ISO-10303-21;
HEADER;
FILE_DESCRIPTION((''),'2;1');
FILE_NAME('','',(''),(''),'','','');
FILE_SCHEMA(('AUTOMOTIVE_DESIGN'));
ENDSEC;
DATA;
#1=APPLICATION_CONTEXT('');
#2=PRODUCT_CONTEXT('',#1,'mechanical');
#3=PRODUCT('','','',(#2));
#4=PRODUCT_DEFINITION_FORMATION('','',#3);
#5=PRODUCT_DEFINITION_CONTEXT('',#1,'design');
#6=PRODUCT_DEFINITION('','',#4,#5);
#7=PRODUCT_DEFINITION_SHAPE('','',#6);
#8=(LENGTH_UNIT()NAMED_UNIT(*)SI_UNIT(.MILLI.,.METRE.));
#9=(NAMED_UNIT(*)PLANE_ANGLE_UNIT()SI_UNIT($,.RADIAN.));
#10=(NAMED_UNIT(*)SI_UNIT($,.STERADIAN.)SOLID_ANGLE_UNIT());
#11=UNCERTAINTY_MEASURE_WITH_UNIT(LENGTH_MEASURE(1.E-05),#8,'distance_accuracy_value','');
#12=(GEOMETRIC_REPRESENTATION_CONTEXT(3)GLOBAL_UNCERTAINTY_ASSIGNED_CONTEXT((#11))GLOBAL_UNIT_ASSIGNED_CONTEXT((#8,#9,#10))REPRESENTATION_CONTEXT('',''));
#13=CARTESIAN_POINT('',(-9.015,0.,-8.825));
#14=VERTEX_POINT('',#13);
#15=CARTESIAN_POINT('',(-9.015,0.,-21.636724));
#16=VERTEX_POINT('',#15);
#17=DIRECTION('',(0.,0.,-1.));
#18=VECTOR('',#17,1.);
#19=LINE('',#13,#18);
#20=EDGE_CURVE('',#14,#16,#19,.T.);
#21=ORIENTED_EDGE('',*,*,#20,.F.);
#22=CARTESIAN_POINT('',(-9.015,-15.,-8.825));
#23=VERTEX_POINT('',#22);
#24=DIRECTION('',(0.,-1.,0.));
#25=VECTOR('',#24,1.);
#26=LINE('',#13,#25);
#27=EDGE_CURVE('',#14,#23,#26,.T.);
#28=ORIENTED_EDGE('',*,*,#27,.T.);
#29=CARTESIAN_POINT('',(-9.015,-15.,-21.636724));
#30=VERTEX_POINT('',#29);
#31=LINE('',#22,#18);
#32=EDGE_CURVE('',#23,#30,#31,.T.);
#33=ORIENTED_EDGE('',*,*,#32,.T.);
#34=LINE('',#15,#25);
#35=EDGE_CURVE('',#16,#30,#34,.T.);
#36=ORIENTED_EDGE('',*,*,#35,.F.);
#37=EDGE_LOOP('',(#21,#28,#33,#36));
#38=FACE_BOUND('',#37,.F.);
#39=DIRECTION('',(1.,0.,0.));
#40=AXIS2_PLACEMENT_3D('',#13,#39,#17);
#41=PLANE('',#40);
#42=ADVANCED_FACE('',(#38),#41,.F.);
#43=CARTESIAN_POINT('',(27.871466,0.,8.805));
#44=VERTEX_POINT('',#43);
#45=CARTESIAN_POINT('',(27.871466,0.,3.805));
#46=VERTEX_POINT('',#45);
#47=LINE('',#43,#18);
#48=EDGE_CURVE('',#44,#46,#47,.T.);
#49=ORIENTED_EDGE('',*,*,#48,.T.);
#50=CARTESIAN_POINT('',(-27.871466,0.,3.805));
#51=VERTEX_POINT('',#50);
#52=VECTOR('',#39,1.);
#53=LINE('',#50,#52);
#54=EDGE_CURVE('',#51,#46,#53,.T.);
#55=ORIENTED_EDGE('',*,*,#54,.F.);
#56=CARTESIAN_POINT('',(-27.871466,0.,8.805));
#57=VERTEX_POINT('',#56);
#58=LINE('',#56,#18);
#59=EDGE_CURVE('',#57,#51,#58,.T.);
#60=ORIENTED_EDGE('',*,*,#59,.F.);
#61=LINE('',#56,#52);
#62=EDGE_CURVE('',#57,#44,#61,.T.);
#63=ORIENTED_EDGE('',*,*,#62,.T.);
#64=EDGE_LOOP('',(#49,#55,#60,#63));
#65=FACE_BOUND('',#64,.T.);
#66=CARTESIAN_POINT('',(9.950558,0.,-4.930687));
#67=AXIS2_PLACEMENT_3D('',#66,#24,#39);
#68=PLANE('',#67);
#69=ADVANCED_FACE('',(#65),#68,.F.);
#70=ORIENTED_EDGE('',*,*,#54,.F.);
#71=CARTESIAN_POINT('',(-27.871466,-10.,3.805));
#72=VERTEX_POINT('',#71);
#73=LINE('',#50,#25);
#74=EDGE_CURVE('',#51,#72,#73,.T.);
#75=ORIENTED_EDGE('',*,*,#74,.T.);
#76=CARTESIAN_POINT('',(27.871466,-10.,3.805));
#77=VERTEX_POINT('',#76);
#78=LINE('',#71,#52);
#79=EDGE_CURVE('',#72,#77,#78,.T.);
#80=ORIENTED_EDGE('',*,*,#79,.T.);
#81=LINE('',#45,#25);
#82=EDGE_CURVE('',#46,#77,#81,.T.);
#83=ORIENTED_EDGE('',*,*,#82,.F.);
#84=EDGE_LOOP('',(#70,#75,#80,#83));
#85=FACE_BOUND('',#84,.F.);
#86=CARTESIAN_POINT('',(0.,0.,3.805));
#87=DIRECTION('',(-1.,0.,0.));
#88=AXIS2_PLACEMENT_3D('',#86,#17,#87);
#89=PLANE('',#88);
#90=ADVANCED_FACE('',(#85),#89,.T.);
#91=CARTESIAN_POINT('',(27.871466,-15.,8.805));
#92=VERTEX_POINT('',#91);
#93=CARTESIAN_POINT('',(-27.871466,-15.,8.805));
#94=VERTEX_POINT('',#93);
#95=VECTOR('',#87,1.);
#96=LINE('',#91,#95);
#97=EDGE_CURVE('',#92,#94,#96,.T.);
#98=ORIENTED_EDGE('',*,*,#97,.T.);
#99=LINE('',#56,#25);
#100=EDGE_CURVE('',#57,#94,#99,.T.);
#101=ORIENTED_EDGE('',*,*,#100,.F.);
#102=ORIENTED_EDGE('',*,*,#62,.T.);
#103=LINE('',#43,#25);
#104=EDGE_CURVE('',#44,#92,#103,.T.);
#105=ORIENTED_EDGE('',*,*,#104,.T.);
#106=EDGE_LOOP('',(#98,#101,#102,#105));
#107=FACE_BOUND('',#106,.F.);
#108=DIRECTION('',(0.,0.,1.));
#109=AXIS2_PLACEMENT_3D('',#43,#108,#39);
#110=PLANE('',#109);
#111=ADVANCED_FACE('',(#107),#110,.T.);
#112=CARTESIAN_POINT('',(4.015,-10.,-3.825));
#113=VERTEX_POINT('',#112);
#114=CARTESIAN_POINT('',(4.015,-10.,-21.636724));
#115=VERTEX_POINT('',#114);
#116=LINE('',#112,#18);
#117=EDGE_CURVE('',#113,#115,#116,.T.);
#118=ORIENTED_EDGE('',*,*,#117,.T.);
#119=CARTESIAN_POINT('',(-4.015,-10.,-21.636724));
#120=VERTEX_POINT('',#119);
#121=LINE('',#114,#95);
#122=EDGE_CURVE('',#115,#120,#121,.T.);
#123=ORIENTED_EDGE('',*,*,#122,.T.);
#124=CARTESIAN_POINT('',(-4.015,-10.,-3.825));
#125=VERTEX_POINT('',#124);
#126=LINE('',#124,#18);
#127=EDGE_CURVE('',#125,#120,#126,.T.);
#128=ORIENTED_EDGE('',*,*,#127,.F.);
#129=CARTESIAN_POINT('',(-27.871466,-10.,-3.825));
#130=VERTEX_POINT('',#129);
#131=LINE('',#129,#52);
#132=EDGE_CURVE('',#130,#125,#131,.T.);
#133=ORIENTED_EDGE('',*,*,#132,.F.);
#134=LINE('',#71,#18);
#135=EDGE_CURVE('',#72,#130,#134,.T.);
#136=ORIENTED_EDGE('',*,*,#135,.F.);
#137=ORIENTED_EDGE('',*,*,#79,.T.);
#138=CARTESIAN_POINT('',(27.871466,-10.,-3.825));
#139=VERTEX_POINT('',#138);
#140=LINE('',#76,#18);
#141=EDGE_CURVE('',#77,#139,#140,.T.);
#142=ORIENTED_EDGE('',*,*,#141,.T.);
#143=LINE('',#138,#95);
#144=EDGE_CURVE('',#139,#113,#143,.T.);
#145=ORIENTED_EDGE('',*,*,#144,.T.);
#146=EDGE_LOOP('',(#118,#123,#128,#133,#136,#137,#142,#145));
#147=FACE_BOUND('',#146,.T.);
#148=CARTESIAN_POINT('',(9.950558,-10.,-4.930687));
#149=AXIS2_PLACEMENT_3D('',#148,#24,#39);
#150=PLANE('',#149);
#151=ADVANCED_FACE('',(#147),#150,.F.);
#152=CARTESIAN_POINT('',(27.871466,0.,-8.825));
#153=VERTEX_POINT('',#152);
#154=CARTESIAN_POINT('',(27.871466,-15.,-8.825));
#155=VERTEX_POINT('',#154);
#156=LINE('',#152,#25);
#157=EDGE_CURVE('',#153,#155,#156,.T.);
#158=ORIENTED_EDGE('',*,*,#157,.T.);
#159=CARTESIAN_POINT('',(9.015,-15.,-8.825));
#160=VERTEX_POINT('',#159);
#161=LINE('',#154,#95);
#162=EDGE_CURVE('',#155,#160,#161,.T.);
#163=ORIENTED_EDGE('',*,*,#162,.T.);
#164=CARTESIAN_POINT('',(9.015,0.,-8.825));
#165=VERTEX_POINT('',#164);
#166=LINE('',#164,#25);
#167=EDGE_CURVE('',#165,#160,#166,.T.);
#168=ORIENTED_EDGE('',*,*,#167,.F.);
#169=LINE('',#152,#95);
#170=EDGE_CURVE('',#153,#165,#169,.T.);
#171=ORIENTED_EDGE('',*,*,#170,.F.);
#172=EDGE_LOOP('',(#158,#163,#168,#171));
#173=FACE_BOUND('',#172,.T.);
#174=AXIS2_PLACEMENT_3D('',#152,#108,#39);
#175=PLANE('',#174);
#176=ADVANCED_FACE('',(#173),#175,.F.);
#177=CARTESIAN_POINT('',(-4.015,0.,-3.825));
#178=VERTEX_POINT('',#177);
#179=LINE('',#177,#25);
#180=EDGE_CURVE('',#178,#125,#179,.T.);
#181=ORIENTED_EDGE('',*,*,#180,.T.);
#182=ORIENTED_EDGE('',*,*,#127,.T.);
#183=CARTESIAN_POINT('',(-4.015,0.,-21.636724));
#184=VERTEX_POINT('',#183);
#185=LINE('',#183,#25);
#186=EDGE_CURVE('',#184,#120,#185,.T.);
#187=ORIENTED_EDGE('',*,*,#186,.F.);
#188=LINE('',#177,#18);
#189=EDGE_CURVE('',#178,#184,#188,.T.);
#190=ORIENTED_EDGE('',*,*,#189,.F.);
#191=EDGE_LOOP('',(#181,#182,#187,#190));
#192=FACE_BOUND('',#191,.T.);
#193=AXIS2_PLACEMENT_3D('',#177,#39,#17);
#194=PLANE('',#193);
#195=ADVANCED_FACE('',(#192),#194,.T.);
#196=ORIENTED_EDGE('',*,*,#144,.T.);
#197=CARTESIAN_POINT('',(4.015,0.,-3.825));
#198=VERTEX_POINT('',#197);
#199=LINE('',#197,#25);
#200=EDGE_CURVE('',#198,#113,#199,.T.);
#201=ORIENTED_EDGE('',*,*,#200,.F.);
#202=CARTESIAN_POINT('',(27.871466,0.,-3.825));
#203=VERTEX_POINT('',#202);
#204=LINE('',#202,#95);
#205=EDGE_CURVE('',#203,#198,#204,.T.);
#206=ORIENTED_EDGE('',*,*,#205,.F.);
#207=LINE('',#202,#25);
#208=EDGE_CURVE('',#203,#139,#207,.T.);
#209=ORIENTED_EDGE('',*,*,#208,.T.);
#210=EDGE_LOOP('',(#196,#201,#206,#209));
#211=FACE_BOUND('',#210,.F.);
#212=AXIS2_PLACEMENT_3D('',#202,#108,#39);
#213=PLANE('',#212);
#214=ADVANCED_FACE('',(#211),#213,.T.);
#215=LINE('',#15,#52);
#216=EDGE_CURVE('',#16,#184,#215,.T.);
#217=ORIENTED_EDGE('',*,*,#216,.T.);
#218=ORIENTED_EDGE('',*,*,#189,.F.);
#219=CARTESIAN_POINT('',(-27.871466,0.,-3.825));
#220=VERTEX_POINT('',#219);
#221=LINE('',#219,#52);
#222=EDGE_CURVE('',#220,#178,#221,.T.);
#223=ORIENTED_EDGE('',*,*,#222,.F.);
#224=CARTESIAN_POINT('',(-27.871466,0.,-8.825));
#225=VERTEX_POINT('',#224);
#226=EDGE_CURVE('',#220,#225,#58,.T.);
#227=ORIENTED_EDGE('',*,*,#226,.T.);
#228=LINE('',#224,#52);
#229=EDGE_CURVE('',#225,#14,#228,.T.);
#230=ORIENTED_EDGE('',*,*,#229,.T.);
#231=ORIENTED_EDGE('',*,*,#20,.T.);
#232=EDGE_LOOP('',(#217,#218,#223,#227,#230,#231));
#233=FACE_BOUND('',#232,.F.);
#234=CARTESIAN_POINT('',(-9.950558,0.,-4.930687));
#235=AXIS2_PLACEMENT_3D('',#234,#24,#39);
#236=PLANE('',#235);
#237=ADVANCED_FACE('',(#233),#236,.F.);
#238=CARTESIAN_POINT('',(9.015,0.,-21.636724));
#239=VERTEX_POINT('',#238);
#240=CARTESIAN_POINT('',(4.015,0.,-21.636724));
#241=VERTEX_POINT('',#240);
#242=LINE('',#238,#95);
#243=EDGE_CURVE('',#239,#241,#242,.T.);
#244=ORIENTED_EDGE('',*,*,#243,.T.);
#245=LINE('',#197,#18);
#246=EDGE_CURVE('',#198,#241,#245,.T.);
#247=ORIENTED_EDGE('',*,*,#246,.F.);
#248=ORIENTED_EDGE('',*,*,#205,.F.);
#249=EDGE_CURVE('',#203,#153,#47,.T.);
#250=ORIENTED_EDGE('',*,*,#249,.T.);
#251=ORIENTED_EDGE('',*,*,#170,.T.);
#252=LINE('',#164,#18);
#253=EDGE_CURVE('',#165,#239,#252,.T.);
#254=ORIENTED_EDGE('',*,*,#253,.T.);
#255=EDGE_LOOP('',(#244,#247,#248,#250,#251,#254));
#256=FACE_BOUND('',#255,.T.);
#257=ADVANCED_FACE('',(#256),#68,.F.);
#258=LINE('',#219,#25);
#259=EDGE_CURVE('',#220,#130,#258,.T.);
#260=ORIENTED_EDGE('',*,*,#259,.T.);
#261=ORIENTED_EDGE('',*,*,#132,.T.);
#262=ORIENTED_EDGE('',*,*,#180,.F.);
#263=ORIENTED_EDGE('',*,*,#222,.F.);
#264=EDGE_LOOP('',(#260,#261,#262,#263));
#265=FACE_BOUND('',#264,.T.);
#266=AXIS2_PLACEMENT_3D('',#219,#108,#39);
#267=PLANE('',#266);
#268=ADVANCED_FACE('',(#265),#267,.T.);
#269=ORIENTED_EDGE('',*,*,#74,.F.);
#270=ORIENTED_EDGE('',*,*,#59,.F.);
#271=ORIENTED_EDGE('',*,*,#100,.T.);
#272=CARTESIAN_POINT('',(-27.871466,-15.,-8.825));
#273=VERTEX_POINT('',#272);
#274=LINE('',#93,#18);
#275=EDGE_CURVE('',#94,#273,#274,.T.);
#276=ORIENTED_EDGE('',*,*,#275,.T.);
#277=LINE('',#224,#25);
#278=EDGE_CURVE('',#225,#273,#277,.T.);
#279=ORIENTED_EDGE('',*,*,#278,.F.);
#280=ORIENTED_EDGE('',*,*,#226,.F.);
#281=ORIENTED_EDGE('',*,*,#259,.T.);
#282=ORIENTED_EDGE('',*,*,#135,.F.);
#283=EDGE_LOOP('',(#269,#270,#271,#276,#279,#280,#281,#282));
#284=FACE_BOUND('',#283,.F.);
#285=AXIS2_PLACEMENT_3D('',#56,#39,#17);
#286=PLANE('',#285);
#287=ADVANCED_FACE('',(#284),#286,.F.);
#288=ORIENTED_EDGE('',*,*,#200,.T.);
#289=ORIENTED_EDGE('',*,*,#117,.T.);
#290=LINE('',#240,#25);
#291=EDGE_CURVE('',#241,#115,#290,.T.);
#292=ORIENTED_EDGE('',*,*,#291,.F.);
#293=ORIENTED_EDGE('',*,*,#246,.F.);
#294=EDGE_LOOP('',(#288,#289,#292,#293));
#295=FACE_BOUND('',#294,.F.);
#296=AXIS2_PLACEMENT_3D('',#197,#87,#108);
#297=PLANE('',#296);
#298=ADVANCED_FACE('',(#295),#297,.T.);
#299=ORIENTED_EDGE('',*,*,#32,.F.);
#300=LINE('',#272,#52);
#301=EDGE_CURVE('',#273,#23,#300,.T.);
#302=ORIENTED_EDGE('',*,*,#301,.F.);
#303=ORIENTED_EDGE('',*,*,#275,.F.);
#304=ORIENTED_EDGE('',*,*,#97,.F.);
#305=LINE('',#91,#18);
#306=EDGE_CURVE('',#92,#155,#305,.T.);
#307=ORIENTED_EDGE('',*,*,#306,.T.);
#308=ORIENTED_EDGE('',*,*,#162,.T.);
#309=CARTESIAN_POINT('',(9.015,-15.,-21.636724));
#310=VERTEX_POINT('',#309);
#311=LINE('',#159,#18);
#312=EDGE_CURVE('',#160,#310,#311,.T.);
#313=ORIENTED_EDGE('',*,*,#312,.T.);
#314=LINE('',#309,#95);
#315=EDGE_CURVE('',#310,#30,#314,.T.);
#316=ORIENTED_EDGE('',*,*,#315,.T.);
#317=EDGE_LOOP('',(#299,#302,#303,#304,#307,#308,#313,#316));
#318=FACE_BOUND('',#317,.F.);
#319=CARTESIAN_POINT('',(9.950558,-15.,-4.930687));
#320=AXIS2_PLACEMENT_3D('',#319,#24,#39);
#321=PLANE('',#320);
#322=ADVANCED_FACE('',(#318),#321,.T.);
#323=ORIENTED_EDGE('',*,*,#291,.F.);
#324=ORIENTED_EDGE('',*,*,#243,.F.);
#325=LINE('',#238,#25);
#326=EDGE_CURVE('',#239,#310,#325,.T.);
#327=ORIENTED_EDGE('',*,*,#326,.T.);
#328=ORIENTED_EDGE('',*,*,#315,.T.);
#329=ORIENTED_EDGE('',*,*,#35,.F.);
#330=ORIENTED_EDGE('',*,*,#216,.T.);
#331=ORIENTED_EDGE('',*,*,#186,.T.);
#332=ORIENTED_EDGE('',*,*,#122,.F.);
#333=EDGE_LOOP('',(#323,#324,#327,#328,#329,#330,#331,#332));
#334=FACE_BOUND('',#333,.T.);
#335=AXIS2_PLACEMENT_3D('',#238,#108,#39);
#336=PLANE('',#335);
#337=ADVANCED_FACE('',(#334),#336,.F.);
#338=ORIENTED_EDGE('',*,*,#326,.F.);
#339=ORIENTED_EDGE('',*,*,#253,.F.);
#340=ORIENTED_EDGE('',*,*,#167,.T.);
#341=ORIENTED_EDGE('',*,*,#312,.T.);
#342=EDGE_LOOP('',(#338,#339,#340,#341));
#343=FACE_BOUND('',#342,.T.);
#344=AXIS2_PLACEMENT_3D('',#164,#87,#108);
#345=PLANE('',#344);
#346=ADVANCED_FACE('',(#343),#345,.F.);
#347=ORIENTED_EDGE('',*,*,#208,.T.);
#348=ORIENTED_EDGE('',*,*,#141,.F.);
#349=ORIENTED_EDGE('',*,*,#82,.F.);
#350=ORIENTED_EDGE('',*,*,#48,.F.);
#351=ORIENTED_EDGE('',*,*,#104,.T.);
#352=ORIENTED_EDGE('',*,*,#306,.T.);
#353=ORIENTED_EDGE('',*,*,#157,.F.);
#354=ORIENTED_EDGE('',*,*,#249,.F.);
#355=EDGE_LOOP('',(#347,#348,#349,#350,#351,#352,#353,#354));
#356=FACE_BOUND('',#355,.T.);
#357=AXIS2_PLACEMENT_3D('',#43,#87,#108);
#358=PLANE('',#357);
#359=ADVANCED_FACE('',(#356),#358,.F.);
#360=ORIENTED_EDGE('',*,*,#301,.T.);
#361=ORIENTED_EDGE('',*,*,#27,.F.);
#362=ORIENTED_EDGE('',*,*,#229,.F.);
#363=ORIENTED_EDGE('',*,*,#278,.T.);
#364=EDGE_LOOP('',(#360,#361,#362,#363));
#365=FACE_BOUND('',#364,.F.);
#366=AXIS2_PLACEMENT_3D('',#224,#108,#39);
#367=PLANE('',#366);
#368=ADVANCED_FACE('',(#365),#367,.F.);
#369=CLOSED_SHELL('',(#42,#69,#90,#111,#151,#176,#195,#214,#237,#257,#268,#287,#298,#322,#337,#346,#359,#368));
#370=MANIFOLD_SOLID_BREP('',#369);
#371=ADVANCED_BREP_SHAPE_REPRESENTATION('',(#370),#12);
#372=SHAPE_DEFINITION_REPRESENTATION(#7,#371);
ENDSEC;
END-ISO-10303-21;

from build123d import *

# Parameters (mm, degrees)
F0_W     = 27.871466
F0_H     = 5
F1_DEPTH = 15
F2_DEPTH = 10


with BuildPart() as f1:
    # F0 (on Front) → F1 (new body)
    with BuildSketch(Plane.XZ):
        Polygon((-4.015, -21.636724), (0, -21.636724), (0, 0), (0, 3.805), (-27.871466, 3.805), (-27.871466, 0), (-27.871466, -3.825), (-4.015, -3.825), align=None)
        Polygon((-9.015, -21.636724), (-4.015, -21.636724), (-4.015, -3.825), (-27.871466, -3.825), (-27.871466, -8.825), (-9.015, -8.825), align=None)
        with Locations((-13.935733, 6.305)):
            Rectangle(F0_W, F0_H)
    extrude(amount=F1_DEPTH)

    # F0 (on Front) → F2 (cut)
    with BuildSketch(Plane.XZ):
        Polygon((-4.015, -21.636724), (0, -21.636724), (0, 0), (0, 3.805), (-27.871466, 3.805), (-27.871466, 0), (-27.871466, -3.825), (-4.015, -3.825), align=None)
    extrude(amount=F2_DEPTH, mode=Mode.SUBTRACT)

    # F3: F1 across plane


with BuildPart() as f1_1:
    add(f1.part)
    add(f1.part.mirror(Plane.YZ))


solid = f1_1.part
